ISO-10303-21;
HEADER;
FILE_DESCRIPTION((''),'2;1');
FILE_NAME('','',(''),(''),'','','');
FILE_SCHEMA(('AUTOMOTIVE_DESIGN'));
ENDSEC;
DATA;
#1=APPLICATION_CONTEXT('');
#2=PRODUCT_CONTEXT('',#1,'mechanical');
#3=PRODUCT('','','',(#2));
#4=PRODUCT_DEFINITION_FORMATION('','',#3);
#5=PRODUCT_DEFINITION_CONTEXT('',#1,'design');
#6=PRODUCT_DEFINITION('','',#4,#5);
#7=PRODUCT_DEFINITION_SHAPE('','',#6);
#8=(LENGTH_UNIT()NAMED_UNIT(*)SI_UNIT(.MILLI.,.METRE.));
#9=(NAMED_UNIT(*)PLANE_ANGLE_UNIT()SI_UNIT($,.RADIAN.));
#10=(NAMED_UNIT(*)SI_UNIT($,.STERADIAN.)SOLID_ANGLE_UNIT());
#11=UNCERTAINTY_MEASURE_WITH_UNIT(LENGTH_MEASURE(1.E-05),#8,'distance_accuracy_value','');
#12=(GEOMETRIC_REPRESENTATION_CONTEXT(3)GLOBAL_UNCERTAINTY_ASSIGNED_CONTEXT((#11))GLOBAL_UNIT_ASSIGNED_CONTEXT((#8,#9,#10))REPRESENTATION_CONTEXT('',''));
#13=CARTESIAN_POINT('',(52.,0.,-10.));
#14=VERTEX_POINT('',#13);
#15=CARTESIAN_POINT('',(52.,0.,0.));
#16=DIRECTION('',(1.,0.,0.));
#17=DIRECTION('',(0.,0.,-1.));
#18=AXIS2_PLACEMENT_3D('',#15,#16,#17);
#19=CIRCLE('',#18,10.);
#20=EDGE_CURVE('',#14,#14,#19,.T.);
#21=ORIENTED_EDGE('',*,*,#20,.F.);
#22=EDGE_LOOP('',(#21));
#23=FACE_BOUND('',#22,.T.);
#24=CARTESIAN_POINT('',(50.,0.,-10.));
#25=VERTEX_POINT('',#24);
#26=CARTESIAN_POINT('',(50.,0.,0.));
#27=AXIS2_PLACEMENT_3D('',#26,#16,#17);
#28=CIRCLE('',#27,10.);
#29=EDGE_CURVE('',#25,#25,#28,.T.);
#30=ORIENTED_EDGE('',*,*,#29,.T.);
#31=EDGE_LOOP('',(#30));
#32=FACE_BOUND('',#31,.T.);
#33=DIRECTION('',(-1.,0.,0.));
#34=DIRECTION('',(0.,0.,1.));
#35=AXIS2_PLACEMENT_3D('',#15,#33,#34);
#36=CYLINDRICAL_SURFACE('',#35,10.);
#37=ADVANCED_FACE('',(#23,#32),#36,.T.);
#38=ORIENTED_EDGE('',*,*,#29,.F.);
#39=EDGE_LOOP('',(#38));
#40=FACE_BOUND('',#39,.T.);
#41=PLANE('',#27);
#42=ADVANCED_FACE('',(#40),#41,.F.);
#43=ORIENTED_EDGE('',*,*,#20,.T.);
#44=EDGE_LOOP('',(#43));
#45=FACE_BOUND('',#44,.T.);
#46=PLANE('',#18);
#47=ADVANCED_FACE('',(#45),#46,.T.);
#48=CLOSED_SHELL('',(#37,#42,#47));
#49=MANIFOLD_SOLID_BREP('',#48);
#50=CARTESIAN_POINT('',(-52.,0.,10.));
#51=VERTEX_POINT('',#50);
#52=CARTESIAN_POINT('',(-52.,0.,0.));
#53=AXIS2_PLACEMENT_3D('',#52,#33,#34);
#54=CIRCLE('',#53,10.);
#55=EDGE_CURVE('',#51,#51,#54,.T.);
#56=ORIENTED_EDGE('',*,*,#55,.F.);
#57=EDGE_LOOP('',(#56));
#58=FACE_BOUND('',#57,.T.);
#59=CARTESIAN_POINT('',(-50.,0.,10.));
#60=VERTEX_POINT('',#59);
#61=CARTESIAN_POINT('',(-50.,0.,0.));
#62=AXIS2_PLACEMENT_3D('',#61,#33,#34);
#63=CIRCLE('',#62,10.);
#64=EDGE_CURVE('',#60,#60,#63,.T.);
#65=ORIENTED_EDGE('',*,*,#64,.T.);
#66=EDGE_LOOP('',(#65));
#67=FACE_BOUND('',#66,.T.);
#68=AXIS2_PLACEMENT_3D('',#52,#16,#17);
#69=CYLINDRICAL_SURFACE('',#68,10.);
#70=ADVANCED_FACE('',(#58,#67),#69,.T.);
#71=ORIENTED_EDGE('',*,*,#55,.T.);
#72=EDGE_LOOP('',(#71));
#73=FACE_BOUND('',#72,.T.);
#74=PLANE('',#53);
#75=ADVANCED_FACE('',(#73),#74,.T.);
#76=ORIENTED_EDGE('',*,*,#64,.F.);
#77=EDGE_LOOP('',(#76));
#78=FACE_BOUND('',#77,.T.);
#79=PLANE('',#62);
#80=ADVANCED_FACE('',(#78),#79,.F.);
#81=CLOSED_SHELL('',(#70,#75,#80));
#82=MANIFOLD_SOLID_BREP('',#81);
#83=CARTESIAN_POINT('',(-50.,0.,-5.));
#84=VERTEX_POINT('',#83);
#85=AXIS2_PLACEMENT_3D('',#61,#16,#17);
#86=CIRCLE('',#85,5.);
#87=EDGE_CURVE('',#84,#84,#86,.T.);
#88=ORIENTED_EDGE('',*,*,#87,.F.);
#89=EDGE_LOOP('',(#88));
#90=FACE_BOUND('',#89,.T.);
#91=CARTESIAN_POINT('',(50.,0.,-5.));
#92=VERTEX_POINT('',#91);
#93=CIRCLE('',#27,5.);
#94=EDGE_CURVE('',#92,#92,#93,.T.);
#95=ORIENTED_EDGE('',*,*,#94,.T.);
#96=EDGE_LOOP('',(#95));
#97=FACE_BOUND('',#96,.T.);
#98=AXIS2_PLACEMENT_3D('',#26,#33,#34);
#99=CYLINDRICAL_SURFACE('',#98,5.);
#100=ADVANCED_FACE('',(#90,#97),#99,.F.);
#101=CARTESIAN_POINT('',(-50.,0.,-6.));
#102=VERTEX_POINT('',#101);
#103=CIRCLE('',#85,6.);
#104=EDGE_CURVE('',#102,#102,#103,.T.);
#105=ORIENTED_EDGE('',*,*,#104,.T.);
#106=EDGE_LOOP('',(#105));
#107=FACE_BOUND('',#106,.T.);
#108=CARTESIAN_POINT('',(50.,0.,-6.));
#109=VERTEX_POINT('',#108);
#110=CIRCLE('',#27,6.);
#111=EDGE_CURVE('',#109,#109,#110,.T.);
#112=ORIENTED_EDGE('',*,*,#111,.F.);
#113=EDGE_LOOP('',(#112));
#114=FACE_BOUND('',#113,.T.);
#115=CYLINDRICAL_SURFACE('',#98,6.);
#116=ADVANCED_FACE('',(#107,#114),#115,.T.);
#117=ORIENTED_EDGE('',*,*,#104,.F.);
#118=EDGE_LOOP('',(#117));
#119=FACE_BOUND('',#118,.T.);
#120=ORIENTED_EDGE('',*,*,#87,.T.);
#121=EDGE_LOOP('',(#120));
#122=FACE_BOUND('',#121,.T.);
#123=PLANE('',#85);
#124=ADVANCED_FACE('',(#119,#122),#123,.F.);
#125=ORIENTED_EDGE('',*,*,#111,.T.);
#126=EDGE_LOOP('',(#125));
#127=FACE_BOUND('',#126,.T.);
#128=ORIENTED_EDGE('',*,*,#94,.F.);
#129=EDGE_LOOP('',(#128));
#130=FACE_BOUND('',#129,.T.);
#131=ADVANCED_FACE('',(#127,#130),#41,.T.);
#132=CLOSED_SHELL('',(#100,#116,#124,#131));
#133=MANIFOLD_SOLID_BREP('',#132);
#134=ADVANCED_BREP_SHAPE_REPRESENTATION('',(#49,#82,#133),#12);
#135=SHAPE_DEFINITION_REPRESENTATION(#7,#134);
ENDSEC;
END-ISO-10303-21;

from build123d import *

# Parameters (mm, degrees)
SKETCH1_R           = 6
SKETCH1_R_2         = 5
BOSS_EXTRUDE1_DEPTH = 50
SKETCH2_R           = 10
BOSS_EXTRUDE4_DEPTH = 2
SKETCH5_R           = 10
BOSS_EXTRUDE5_DEPTH = 2


with BuildPart() as part:
    # Sketch1 → Boss-Extrude1 (new body, symmetric)
    with BuildSketch(Plane(origin=(0, 0, 0), x_dir=(0, 0, -1), z_dir=(1, 0, 0))):
        Circle(SKETCH1_R)
        Circle(SKETCH1_R_2, mode=Mode.SUBTRACT)
    extrude(amount=BOSS_EXTRUDE1_DEPTH, both=True)


with BuildPart() as body_2:
    # Sketch2 → Boss-Extrude4 (new body)
    with BuildSketch(Plane.ZY.offset(50)):
        Circle(SKETCH2_R)
    extrude(amount=BOSS_EXTRUDE4_DEPTH)


with BuildPart() as body_3:
    # Sketch5 → Boss-Extrude5 (new body)
    with BuildSketch(Plane(origin=(50, 0, 0), x_dir=(0, 0, -1), z_dir=(1, 0, 0))):
        Circle(SKETCH5_R)
    extrude(amount=BOSS_EXTRUDE5_DEPTH)


solid = Compound([part.part, body_2.part, body_3.part])
